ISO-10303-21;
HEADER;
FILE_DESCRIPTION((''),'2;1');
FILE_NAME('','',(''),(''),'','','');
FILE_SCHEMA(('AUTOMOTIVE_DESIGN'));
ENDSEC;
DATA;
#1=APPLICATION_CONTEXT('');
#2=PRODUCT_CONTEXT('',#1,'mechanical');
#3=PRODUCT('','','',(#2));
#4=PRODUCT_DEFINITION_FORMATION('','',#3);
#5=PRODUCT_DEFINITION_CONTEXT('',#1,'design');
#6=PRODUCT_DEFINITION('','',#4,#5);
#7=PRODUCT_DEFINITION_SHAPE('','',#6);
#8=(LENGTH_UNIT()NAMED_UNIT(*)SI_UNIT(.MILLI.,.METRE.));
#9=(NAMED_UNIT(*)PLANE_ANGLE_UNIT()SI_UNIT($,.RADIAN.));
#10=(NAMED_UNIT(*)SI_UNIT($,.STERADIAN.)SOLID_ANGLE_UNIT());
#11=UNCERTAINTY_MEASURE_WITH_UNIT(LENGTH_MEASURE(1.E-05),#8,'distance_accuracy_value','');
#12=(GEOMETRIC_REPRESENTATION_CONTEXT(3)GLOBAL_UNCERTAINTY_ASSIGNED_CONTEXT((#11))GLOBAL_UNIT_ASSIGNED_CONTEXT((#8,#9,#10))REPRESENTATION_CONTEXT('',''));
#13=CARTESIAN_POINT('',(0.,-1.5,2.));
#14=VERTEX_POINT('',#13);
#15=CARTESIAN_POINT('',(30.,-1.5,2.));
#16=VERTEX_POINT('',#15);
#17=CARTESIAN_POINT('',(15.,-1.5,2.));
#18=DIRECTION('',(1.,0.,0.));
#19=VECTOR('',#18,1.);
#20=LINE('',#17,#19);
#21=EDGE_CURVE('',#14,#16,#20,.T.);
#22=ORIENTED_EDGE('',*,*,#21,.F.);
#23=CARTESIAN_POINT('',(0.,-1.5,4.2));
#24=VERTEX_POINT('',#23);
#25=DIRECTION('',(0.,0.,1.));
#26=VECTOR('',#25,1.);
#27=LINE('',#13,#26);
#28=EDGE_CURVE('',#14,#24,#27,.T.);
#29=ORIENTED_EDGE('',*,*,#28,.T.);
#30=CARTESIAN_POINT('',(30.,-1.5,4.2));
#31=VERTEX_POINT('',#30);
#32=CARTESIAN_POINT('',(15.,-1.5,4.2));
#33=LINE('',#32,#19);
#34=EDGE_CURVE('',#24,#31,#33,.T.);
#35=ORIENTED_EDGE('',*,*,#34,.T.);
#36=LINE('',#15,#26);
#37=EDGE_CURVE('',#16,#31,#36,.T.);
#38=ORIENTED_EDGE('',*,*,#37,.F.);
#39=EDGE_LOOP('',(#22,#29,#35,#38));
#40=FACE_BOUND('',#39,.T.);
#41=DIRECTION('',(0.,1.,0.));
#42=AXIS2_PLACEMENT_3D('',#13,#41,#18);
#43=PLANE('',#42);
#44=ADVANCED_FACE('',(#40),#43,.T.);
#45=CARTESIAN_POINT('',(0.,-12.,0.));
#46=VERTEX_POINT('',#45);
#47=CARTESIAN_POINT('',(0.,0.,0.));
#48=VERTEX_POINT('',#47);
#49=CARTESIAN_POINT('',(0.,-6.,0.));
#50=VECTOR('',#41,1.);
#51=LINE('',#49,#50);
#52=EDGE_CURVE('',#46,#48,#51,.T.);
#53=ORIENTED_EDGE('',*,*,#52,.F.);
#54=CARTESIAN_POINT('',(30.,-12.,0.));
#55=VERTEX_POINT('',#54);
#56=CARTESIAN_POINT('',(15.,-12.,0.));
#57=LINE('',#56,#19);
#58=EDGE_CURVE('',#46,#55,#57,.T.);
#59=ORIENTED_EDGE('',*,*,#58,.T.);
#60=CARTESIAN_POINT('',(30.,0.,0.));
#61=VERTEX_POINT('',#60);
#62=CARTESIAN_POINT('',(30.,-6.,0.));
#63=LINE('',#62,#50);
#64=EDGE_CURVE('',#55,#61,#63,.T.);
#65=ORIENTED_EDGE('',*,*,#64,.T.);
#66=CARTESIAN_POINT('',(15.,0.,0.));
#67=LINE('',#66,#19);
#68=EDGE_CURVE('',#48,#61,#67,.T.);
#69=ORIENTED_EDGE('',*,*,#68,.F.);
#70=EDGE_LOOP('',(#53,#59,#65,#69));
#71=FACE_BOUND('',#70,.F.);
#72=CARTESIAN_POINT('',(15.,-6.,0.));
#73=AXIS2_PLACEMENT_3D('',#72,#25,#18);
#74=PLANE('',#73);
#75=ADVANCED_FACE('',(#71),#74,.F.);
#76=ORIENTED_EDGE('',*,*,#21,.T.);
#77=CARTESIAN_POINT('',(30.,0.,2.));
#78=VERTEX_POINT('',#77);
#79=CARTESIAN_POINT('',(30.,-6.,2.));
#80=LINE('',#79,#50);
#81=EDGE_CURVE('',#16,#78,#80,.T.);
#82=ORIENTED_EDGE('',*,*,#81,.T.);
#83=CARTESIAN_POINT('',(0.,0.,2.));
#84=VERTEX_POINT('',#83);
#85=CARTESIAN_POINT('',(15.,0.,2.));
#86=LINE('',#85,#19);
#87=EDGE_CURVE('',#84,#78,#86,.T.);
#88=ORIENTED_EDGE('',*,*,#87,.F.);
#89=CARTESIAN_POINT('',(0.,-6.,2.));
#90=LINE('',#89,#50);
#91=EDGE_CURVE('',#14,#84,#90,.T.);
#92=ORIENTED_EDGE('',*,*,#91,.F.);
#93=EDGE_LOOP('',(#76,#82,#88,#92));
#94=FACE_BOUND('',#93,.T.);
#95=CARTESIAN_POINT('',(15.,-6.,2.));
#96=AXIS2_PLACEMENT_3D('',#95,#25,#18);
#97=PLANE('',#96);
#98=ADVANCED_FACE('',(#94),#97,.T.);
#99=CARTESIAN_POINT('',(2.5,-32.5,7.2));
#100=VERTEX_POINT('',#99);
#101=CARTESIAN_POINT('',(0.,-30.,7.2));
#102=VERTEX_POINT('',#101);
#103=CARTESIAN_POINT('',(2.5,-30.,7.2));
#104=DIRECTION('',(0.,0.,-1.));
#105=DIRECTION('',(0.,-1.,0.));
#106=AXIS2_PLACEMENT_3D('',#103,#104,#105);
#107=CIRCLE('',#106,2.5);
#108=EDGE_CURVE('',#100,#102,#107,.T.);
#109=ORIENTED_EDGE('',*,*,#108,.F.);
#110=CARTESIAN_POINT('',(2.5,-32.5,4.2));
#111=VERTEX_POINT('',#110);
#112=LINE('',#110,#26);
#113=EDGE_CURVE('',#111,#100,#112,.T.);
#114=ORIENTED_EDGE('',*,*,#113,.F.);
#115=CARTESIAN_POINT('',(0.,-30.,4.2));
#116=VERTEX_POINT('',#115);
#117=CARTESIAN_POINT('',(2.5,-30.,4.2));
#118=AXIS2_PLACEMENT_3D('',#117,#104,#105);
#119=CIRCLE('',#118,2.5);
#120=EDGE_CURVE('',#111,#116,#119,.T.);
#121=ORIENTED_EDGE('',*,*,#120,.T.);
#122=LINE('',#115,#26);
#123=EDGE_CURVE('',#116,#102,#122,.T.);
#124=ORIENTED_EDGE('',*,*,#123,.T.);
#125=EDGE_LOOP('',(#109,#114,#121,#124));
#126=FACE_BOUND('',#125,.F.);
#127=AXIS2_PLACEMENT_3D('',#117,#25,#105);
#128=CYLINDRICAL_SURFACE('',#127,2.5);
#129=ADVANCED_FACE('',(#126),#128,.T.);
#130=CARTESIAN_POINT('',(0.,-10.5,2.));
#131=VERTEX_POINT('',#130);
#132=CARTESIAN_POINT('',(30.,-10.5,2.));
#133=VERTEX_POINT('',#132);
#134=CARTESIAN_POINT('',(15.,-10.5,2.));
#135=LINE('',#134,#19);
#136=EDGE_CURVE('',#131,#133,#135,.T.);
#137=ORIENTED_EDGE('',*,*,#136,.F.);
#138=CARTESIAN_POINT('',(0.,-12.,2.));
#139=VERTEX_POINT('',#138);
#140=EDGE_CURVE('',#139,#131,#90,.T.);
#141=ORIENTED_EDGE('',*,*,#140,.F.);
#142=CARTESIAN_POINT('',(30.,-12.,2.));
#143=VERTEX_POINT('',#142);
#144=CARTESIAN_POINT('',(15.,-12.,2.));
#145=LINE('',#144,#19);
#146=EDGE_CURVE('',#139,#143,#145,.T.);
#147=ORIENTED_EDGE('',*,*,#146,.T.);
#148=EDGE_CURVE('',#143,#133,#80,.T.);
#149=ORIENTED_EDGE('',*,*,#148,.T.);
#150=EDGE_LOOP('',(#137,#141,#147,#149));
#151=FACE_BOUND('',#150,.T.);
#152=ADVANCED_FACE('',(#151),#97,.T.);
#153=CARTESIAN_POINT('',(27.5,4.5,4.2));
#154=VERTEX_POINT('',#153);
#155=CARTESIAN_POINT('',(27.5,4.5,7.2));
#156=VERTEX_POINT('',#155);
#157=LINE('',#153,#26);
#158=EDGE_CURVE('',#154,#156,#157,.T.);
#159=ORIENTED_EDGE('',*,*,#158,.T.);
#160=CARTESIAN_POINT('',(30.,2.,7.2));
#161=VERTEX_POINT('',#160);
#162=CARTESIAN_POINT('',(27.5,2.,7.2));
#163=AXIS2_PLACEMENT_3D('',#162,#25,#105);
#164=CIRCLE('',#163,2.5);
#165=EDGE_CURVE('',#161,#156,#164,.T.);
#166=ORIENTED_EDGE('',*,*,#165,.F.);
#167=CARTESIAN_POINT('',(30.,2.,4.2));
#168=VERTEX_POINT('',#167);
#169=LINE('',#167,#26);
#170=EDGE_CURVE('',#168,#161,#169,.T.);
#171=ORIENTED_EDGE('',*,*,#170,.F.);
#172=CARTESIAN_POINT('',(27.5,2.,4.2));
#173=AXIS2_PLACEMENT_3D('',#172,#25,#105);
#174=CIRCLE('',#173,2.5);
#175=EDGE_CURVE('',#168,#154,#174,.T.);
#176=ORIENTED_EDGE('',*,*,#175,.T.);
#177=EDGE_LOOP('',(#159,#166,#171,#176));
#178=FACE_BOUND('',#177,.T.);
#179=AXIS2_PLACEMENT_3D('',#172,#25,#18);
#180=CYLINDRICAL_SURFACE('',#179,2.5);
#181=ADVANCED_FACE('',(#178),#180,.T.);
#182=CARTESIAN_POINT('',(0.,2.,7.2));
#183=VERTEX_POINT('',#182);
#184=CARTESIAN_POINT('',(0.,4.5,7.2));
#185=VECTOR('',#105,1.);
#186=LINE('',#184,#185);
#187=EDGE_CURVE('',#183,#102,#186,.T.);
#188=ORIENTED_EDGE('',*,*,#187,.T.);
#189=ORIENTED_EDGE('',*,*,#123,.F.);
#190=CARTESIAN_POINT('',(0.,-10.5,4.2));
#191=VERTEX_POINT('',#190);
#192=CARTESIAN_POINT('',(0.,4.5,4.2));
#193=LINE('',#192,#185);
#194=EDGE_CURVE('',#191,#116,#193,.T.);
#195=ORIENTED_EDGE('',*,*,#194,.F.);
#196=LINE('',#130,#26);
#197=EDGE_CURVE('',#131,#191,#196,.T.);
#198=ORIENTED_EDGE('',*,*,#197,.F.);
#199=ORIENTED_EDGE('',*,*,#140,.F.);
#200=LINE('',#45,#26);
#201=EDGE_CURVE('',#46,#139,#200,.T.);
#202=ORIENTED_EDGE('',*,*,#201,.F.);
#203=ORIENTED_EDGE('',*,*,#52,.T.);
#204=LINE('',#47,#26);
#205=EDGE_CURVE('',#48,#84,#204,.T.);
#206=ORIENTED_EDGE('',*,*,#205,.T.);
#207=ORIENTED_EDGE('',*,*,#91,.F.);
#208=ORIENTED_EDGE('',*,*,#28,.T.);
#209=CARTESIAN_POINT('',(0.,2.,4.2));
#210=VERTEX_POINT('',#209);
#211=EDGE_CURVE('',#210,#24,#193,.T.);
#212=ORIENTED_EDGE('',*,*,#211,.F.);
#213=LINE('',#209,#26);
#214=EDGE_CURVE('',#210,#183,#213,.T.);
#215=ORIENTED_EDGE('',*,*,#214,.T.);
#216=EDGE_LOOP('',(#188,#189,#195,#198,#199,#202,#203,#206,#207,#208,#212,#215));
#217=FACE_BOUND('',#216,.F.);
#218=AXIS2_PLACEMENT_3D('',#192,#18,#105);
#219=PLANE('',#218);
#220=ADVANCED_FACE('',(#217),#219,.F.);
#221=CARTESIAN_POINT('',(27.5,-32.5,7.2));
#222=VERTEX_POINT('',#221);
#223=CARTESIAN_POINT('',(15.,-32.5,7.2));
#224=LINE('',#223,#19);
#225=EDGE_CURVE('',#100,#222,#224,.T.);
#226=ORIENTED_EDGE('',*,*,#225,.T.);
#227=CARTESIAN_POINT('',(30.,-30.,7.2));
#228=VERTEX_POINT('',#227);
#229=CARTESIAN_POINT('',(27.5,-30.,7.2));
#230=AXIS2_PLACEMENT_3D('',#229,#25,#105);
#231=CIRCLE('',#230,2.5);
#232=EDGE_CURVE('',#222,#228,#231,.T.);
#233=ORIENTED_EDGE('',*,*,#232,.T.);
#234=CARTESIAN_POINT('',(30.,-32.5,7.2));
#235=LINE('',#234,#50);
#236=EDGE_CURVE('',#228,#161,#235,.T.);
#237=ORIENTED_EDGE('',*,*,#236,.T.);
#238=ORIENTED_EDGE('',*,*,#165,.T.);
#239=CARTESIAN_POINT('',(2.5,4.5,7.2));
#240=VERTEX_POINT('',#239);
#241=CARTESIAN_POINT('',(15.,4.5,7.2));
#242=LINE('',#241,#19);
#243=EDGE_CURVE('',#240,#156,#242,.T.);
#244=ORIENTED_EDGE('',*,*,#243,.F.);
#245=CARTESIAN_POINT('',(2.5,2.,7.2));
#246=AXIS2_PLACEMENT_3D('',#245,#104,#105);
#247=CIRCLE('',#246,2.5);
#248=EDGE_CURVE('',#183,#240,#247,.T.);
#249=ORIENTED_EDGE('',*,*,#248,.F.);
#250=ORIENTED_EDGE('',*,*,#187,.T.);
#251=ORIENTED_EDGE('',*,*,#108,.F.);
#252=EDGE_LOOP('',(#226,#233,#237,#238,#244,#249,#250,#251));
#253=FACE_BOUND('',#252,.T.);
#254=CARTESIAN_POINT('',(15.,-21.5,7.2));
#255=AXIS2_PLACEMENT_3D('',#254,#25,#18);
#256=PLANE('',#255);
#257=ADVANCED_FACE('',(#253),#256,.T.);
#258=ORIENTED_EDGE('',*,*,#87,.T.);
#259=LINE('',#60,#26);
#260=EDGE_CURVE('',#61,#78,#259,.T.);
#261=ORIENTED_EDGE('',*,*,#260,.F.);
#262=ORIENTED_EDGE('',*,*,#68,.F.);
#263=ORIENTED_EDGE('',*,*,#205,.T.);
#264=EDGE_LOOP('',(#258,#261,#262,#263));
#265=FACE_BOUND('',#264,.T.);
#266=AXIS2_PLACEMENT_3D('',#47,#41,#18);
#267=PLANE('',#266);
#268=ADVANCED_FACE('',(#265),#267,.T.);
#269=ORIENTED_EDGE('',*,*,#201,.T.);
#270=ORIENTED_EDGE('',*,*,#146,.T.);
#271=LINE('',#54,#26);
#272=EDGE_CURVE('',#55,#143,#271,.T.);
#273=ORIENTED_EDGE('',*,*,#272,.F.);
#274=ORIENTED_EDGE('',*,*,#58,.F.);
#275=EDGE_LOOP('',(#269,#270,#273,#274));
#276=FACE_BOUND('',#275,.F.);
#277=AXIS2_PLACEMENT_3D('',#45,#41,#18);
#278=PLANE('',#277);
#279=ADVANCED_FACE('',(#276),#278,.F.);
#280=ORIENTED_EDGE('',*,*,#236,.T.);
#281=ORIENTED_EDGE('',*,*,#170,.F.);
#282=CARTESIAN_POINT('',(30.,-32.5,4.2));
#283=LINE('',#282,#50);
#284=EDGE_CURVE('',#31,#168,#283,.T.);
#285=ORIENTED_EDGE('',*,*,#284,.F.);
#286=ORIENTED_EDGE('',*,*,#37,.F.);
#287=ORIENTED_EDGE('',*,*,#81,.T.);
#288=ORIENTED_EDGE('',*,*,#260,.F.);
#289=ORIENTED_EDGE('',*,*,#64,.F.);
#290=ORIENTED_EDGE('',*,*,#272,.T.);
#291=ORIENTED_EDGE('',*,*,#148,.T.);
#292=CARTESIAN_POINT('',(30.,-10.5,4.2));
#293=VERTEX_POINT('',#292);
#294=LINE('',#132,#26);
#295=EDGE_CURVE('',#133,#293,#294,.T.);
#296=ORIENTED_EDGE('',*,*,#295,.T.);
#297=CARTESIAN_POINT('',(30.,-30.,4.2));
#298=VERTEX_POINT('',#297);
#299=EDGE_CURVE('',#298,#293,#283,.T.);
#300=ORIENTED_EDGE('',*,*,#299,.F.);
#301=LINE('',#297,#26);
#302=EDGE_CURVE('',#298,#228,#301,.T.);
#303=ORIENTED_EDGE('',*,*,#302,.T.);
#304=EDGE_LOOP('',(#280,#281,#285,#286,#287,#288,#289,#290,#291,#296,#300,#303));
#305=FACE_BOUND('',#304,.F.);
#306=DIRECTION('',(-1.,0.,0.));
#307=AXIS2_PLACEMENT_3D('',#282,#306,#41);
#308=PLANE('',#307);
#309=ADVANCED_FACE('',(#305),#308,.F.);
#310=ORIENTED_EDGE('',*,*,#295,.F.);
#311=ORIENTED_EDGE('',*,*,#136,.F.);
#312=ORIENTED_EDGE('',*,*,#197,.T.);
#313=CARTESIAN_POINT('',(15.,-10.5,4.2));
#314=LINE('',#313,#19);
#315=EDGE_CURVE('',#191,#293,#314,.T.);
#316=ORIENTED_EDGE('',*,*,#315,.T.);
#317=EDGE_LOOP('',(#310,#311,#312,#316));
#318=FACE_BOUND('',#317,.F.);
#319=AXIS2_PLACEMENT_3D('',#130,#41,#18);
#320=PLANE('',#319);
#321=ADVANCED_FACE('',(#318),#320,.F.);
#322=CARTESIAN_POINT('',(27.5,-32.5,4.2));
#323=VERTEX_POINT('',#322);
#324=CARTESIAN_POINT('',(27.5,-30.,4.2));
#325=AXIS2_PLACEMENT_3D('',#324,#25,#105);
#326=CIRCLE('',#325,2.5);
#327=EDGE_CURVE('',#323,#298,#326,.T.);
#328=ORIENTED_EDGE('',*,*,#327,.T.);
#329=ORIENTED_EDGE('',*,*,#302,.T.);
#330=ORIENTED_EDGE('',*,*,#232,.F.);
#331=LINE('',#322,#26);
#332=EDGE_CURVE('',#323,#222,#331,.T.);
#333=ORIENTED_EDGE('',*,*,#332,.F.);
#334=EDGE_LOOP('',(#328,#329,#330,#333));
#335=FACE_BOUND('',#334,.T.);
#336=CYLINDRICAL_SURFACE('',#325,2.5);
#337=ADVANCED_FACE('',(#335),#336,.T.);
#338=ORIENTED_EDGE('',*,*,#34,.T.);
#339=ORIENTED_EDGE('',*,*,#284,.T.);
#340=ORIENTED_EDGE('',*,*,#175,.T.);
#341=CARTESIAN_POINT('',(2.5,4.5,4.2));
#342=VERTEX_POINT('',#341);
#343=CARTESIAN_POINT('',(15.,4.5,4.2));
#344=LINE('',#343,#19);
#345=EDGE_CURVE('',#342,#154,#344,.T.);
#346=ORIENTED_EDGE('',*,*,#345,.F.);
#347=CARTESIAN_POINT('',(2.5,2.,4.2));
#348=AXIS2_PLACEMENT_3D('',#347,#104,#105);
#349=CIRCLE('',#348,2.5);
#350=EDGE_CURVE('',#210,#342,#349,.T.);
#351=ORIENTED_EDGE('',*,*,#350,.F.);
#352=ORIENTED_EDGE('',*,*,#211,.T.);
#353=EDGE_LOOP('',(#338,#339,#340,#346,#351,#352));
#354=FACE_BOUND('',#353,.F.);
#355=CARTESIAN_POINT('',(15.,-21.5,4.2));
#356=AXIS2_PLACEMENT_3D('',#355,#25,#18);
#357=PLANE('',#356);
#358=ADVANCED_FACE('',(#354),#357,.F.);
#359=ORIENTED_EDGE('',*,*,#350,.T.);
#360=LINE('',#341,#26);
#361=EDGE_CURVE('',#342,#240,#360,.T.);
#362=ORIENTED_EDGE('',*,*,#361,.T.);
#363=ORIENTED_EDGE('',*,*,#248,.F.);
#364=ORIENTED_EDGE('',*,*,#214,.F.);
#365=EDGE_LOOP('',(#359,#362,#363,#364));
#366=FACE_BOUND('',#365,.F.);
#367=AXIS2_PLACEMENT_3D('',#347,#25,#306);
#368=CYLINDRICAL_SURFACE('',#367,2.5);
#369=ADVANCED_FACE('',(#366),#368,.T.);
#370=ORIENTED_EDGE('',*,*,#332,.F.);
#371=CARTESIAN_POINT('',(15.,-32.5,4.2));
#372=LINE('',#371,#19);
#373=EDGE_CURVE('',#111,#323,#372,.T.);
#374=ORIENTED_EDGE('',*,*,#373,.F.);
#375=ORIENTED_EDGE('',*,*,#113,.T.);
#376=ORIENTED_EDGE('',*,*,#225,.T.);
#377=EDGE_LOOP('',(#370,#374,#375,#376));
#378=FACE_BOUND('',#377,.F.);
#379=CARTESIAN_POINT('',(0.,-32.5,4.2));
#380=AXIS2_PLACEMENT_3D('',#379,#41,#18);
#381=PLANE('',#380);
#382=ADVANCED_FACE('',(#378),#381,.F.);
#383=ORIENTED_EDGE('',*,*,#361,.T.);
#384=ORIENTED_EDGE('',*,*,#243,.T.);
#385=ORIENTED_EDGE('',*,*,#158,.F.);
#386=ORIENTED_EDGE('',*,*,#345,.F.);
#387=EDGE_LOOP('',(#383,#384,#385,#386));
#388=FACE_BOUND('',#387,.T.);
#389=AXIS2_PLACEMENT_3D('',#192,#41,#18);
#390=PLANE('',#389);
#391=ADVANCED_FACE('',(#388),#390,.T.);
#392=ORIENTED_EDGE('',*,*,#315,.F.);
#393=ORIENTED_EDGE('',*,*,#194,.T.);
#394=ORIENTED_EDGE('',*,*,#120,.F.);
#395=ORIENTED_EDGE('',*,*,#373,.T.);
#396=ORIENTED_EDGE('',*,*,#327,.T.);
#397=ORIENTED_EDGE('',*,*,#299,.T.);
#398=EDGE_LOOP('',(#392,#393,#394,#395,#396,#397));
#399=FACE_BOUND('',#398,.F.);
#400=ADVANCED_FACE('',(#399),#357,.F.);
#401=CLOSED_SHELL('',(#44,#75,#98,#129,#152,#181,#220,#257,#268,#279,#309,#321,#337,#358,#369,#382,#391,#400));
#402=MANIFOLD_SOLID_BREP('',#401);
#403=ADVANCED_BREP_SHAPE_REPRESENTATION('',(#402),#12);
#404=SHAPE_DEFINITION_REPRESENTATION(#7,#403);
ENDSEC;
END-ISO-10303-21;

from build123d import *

# Parameters (mm, degrees)
F0_W     = 30
F0_H     = 12
F1_DEPTH = 2
F2_W     = 30
F2_H     = 9
F3_DEPTH = 2.2
F4_W     = 30
F4_H     = 22
F4_H_2   = 9
F4_H_3   = 6
F5_DEPTH = 3
F6_R     = 2.5


with BuildPart() as f1:
    # F0 (on Top) → F1 (new body)
    with BuildSketch(Plane.XY):
        with Locations((15, -6)):
            Rectangle(F0_W, F0_H)
    extrude(amount=F1_DEPTH)

    # F2 (on face) → F3 (join)
    with BuildSketch(Plane.XY.offset(2)):
        with Locations((15, -6)):
            Rectangle(F2_W, F2_H)
    extrude(amount=F3_DEPTH)

    # F4 (on face) → F5 (join)
    with BuildSketch(Plane.XY.offset(4.2)):
        with Locations((15, -21.5)):
            Rectangle(F4_W, F4_H)
        with Locations((15, -6)):
            Rectangle(F4_W, F4_H_2)
        with Locations((15, 1.5)):
            Rectangle(F4_W, F4_H_3)
    extrude(amount=F5_DEPTH)

    # F6
    f6_edges = [f1.edges().sort_by_distance(p)[0] for p in [
        (0, -32.5, 5.7),
        (30, -32.5, 5.7),
        (30, 4.5, 5.7),
        (0, 4.5, 5.7),
    ]]
    fillet(f6_edges, radius=F6_R)


solid = f1.part
